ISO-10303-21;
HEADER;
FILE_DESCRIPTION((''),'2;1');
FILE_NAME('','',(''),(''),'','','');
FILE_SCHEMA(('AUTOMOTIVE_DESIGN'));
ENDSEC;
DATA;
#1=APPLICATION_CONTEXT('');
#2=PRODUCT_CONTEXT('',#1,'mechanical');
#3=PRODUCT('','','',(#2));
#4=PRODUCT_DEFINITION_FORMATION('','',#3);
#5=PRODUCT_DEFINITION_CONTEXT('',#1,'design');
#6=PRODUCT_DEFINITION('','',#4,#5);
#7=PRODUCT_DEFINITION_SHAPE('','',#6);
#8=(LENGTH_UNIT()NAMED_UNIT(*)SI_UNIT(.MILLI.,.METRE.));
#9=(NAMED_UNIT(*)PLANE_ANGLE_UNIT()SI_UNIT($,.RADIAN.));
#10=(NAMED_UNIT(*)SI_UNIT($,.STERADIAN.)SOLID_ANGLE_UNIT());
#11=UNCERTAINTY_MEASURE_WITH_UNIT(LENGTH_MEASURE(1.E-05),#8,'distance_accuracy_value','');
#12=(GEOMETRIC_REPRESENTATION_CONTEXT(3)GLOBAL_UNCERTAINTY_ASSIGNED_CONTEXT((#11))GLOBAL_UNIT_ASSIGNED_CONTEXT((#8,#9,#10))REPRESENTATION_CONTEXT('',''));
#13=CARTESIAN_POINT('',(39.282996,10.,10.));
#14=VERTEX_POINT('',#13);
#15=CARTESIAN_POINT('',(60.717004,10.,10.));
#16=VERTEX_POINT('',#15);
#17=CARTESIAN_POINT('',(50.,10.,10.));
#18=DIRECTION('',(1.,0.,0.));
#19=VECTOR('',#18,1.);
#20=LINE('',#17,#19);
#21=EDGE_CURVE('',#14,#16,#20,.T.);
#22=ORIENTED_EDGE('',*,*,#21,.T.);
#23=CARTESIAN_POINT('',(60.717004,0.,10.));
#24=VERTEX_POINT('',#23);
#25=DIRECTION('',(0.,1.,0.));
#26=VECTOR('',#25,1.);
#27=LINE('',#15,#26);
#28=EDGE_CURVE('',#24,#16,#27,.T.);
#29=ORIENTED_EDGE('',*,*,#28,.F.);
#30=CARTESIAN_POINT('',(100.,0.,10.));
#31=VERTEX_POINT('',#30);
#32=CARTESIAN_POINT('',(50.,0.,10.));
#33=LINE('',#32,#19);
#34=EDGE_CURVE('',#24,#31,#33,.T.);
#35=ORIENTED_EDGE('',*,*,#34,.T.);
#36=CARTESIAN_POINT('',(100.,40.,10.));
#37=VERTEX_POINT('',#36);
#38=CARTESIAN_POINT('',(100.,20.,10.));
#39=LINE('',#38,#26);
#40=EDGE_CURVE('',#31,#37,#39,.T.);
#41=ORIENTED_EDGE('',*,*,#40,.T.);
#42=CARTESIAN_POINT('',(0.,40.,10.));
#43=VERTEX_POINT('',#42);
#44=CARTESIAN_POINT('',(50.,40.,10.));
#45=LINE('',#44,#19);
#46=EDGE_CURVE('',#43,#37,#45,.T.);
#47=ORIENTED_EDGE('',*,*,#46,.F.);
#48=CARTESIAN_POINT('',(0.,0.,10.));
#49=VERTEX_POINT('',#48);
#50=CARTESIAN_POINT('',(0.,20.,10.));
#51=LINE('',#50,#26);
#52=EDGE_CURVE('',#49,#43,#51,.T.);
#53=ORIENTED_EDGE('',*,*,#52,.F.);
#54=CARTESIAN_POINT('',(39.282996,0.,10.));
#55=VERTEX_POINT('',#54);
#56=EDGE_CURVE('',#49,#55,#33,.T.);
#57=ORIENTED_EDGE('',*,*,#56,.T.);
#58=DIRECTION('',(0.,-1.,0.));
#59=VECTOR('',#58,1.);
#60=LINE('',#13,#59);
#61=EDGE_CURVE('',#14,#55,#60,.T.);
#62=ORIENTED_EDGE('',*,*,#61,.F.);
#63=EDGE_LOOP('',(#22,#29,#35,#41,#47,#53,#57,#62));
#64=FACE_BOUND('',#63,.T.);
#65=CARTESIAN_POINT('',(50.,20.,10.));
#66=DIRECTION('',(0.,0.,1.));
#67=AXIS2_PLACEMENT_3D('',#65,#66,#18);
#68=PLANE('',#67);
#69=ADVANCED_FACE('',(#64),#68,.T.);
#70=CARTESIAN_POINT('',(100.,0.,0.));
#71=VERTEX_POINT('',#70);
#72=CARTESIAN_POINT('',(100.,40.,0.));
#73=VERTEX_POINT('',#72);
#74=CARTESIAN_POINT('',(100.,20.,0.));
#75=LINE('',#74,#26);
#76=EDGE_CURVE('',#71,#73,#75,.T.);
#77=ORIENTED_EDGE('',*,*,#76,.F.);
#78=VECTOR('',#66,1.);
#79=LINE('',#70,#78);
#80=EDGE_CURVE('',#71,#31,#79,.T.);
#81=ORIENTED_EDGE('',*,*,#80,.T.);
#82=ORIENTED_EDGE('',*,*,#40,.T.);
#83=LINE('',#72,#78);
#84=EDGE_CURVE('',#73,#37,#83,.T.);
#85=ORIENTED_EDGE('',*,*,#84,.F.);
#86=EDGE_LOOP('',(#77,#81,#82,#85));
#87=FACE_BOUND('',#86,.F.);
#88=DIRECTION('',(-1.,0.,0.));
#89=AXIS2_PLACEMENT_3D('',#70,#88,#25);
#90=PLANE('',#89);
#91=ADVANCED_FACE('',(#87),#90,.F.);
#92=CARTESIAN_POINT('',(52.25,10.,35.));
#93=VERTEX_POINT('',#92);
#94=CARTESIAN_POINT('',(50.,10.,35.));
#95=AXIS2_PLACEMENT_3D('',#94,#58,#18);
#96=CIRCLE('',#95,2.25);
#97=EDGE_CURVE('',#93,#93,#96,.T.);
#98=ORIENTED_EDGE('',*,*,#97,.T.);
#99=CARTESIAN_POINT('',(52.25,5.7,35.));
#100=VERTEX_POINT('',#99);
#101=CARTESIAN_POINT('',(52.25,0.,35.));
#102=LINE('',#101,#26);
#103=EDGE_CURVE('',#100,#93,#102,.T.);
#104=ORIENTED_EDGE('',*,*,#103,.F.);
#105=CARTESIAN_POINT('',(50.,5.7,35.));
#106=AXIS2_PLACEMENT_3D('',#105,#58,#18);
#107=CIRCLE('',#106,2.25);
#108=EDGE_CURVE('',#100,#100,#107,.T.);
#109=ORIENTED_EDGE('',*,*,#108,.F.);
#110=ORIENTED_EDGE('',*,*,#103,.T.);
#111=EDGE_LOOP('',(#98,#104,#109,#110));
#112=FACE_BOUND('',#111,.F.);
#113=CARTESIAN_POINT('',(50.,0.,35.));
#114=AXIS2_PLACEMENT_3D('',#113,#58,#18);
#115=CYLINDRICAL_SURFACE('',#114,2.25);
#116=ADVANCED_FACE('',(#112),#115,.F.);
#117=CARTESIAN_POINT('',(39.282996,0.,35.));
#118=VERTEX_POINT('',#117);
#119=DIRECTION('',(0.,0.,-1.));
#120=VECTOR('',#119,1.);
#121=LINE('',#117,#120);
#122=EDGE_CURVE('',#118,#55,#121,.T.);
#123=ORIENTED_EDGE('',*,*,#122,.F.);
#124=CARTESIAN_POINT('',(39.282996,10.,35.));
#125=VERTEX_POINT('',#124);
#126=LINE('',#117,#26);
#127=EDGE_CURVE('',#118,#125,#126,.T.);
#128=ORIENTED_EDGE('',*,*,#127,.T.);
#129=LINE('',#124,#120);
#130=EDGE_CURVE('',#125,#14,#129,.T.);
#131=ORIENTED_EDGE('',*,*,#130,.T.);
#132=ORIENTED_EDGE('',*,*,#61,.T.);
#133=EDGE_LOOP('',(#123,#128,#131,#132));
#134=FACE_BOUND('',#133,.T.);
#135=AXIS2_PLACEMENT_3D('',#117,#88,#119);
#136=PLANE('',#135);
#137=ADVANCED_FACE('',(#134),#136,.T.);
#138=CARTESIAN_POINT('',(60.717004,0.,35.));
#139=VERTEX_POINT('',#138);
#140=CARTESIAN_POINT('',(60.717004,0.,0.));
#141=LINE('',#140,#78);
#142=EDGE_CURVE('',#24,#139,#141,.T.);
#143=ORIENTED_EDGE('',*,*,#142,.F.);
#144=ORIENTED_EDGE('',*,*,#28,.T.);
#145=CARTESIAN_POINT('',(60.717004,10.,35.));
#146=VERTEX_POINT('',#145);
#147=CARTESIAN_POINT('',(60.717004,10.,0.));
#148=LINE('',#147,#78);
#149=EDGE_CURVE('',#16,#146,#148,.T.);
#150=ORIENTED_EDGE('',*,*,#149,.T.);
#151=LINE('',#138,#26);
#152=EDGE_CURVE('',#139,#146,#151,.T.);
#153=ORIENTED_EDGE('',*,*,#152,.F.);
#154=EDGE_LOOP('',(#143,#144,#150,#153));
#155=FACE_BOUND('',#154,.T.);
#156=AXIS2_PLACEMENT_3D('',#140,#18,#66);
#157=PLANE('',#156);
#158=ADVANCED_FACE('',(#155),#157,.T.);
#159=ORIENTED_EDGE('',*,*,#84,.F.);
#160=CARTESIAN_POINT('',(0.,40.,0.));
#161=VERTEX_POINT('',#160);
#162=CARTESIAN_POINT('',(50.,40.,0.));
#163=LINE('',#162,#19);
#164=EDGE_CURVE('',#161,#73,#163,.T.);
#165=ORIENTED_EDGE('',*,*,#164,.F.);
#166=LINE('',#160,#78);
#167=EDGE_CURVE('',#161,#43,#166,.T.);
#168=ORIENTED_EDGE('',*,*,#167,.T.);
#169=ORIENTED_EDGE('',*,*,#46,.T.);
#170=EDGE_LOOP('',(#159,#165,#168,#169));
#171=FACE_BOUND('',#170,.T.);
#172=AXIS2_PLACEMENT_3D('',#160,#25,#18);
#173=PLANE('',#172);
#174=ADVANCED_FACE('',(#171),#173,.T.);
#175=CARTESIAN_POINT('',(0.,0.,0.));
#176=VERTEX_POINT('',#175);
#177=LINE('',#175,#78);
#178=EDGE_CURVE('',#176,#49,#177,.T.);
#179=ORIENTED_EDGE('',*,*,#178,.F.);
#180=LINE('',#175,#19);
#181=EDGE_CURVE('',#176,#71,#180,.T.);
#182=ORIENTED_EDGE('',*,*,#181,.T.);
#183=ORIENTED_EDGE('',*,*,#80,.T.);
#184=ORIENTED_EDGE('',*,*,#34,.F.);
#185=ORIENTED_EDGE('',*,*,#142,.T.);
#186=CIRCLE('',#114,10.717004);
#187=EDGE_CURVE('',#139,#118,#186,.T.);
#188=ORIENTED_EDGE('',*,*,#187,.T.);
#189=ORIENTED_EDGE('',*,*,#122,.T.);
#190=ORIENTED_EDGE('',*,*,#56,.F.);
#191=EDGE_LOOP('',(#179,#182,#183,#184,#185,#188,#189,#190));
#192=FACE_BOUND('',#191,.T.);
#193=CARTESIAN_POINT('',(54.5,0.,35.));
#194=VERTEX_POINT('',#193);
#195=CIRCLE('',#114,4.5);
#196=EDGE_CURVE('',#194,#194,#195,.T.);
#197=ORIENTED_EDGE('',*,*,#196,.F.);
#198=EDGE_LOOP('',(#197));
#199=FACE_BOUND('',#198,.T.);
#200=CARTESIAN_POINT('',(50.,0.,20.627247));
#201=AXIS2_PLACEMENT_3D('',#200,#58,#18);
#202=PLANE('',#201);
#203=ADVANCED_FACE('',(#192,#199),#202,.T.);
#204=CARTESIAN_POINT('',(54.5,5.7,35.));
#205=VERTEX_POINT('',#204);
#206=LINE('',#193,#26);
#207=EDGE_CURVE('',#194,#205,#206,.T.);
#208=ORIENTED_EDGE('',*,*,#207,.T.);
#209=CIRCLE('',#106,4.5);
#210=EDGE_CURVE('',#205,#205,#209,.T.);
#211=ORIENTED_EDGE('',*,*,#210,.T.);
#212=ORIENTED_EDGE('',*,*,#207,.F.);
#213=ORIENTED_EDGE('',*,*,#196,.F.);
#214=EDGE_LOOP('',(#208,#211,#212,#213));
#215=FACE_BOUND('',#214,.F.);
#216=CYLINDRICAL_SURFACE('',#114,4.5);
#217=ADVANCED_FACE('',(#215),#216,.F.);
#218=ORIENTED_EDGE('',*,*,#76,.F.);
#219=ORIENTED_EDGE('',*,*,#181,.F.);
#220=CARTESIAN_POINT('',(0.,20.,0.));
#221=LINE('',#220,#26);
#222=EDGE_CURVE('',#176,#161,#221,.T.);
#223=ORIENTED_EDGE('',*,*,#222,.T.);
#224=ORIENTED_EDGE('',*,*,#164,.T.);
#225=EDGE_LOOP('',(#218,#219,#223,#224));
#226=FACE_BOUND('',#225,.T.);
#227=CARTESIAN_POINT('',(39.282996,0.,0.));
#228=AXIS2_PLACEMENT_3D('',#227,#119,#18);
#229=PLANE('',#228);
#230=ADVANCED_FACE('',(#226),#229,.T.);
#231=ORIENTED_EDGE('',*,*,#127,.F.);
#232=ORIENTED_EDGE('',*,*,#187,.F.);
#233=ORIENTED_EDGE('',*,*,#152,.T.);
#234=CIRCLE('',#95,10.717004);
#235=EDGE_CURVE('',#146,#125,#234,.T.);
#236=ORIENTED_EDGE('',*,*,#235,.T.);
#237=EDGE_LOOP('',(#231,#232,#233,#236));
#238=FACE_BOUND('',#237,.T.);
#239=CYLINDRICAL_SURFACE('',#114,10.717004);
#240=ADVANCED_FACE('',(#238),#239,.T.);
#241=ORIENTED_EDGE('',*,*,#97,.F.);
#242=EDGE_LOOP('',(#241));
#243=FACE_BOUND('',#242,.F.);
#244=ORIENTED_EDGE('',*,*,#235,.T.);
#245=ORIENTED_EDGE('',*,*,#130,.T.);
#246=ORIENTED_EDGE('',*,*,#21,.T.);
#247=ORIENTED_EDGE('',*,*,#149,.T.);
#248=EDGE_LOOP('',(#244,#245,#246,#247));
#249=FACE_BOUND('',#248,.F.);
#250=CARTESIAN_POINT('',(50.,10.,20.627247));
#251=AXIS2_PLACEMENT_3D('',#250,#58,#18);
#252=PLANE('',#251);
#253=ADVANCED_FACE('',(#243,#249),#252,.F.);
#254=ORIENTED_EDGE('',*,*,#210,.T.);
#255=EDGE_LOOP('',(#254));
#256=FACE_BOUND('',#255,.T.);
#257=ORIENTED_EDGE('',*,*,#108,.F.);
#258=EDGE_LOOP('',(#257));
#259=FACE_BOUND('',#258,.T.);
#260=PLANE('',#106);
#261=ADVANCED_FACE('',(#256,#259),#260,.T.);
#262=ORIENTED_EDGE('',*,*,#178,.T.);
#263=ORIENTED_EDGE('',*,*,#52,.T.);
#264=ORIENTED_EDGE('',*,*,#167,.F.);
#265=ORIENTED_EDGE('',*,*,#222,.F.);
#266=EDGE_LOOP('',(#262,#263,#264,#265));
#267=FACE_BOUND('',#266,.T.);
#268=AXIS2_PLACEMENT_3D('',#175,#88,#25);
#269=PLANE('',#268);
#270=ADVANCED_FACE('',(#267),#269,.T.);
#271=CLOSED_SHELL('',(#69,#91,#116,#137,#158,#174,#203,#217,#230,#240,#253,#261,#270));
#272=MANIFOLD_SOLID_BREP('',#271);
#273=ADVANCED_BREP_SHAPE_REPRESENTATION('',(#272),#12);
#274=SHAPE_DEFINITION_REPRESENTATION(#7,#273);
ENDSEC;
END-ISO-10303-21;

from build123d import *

# Parameters (mm, degrees)
F0_W     = 100
F0_H     = 40
F1_DEPTH = 10
F3_DEPTH = 10
F4_R     = 2.25
F5_DEPTH = 40.001
F6_R     = 4.5
F7_DEPTH = 5.7


with BuildPart() as f1:
    # F0 (on Top) → F1 (new body)
    with BuildSketch(Plane.XY):
        with Locations((50, 20)):
            Rectangle(F0_W, F0_H)
    extrude(amount=F1_DEPTH)

    # F2 (on face) → F3 (join)
    with BuildSketch(Plane.XZ):
        with BuildLine():
            Line((39.282996, 35), (39.282996, 0))
            Line((39.282996, 0), (60.717004, 0))
            Line((60.717004, 0), (60.717004, 35))
            ThreePointArc((60.717004, 35), (50, 45.717004), (39.282996, 35))
        make_face()
    extrude(amount=-F3_DEPTH)

    # F4 (on face) → F5 (cut, through all)
    with BuildSketch(Plane.XZ):
        with Locations((50, 35)):
            Circle(F4_R)
    extrude(amount=-F5_DEPTH, mode=Mode.SUBTRACT)

    # F6 (on face) → F7 (cut)
    with BuildSketch(Plane.XZ):
        with Locations((50, 35)):
            Circle(F6_R)
    extrude(amount=-F7_DEPTH, mode=Mode.SUBTRACT)


solid = f1.part
